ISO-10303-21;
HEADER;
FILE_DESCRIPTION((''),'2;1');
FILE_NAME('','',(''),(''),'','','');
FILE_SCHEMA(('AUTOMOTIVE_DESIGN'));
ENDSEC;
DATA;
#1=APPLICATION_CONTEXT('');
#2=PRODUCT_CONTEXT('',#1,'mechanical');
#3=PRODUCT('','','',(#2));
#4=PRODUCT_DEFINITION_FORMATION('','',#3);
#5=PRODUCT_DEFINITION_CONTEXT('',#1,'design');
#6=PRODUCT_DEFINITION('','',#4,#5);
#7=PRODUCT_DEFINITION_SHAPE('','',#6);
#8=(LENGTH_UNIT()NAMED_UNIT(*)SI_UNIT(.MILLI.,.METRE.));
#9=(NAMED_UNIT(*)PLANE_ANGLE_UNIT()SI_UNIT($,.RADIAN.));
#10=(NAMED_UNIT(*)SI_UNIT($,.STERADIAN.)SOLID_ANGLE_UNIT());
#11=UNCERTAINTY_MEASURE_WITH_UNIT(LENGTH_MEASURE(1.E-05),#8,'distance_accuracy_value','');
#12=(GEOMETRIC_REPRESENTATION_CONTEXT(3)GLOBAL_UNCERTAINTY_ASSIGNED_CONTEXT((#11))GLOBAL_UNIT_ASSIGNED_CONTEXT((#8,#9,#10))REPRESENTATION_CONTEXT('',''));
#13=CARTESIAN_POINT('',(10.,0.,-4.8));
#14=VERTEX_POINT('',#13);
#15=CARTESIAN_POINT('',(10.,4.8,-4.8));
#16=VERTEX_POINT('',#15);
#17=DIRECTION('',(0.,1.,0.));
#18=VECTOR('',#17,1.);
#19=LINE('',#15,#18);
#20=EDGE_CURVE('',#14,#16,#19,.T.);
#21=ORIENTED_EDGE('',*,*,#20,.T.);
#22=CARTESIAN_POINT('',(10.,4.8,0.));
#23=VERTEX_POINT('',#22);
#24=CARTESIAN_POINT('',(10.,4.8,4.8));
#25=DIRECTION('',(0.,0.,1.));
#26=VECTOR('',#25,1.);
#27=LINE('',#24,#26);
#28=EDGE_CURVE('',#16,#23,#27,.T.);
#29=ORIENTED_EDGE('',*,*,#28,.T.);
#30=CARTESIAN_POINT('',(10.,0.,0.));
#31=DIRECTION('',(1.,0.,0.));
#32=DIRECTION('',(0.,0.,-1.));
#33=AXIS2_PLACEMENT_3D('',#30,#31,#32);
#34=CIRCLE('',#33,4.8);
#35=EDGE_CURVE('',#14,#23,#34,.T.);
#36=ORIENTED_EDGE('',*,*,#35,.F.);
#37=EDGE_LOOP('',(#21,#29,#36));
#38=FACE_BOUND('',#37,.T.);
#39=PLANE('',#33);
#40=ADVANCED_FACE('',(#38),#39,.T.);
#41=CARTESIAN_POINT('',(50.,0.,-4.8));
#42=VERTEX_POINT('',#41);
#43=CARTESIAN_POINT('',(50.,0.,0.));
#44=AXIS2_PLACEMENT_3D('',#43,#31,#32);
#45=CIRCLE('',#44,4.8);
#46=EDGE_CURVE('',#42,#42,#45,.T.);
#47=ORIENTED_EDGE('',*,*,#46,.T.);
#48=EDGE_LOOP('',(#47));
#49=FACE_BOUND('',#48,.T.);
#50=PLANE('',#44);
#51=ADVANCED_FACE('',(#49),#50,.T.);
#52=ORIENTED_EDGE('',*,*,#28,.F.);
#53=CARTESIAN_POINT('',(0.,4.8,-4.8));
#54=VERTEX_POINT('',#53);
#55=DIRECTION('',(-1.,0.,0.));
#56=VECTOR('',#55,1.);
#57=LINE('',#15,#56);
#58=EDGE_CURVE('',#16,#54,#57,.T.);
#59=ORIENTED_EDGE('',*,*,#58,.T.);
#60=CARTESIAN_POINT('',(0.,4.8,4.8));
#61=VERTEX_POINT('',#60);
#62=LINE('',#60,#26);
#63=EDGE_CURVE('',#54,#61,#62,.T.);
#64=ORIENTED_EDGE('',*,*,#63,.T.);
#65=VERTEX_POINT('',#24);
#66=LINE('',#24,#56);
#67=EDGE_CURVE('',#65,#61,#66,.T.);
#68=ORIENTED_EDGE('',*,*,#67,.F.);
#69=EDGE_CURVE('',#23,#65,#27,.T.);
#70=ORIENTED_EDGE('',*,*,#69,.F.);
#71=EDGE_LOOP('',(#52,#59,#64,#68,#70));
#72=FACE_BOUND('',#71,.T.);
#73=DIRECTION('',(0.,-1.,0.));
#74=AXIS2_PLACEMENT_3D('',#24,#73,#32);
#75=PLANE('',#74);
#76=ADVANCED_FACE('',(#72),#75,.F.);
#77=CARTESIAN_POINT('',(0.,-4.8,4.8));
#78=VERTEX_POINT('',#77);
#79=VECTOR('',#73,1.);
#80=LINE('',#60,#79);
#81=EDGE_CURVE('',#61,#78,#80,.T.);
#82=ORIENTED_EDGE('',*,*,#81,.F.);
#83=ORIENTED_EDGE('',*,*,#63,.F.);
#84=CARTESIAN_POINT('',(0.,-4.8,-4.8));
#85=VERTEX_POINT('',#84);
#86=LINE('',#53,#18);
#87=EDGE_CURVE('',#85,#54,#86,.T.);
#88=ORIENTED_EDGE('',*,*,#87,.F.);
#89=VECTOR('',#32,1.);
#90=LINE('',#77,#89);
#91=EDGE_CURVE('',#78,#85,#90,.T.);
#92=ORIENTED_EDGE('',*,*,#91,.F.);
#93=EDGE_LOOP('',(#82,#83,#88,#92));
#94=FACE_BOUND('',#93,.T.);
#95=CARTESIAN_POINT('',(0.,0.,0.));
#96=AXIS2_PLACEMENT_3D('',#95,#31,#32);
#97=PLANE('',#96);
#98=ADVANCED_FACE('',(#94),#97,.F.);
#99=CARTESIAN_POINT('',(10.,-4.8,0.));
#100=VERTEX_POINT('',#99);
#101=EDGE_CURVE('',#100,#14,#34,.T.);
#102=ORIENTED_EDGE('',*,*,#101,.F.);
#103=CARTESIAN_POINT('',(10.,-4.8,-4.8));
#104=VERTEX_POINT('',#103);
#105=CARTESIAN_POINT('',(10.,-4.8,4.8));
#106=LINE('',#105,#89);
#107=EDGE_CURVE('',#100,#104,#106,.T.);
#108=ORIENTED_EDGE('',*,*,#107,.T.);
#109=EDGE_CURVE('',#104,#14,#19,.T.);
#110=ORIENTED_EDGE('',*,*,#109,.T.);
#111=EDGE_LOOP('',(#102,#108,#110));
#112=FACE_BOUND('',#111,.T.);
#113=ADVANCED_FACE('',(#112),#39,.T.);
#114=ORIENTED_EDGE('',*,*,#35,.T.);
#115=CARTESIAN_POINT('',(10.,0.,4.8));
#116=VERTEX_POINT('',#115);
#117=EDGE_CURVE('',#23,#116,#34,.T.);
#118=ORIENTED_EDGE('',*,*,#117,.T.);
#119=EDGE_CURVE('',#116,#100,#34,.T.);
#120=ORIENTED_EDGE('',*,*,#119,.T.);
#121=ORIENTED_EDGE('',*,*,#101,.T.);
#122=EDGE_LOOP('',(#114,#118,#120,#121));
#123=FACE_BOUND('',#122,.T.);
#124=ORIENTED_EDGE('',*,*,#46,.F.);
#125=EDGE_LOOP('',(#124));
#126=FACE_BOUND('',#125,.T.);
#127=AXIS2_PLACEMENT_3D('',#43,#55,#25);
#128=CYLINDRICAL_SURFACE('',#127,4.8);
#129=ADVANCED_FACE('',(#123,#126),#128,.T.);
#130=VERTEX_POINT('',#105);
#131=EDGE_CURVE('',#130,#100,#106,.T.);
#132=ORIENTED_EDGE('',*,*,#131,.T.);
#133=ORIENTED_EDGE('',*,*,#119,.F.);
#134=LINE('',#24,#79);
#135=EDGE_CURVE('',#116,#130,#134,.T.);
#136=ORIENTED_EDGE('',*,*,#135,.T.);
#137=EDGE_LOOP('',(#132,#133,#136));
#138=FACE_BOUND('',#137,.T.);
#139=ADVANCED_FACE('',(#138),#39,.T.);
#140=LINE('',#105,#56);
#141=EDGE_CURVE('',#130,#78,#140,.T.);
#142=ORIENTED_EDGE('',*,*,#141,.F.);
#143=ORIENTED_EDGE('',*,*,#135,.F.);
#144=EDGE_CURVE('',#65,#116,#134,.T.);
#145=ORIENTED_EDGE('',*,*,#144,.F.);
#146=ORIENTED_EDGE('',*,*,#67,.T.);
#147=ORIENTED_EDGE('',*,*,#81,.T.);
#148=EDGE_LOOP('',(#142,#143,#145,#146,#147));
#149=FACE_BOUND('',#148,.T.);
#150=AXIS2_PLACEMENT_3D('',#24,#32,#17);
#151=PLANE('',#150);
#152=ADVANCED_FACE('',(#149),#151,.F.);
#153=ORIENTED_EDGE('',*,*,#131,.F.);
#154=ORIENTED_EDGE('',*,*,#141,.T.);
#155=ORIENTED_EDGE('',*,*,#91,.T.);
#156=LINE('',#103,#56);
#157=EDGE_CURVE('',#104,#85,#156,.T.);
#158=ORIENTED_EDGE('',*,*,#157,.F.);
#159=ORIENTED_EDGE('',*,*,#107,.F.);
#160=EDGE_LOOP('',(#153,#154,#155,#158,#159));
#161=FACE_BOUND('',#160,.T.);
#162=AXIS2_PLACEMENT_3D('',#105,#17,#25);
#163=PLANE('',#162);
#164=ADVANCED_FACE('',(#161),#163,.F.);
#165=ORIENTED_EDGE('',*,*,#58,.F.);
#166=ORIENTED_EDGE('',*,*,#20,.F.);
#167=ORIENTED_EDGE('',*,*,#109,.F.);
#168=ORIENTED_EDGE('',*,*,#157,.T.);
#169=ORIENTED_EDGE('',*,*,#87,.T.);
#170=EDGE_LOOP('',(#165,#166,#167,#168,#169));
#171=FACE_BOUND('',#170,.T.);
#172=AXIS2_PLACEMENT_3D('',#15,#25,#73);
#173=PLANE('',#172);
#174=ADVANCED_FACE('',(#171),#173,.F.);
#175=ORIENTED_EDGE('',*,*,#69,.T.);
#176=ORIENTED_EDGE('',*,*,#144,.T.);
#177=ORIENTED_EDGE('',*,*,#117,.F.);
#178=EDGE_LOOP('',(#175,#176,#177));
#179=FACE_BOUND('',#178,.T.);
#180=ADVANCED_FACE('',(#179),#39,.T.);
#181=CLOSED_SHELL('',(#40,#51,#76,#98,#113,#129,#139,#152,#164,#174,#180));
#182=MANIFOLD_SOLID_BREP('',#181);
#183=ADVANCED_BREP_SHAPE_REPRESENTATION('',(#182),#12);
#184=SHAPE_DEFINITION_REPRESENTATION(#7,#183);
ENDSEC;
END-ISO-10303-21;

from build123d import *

# Parameters (mm, degrees)
SKETCH1_W           = 9.6
SKETCH1_H           = 9.6
BOSS_EXTRUDE1_DEPTH = 10
SKETCH2_R           = 4.8
BOSS_EXTRUDE2_DEPTH = 40


with BuildPart() as part:
    # Sketch1 → Boss-Extrude1 (new body)
    with BuildSketch(Plane(origin=(0, 0, 0), x_dir=(0, 0, -1), z_dir=(1, 0, 0))):
        Rectangle(SKETCH1_W, SKETCH1_H)
    extrude(amount=BOSS_EXTRUDE1_DEPTH)

    # Sketch2 → Boss-Extrude2 (add)
    with BuildSketch(Plane(origin=(10, 0, 0), x_dir=(0, 0, -1), z_dir=(1, 0, 0))):
        Circle(SKETCH2_R)
    extrude(amount=BOSS_EXTRUDE2_DEPTH)


solid = part.part
